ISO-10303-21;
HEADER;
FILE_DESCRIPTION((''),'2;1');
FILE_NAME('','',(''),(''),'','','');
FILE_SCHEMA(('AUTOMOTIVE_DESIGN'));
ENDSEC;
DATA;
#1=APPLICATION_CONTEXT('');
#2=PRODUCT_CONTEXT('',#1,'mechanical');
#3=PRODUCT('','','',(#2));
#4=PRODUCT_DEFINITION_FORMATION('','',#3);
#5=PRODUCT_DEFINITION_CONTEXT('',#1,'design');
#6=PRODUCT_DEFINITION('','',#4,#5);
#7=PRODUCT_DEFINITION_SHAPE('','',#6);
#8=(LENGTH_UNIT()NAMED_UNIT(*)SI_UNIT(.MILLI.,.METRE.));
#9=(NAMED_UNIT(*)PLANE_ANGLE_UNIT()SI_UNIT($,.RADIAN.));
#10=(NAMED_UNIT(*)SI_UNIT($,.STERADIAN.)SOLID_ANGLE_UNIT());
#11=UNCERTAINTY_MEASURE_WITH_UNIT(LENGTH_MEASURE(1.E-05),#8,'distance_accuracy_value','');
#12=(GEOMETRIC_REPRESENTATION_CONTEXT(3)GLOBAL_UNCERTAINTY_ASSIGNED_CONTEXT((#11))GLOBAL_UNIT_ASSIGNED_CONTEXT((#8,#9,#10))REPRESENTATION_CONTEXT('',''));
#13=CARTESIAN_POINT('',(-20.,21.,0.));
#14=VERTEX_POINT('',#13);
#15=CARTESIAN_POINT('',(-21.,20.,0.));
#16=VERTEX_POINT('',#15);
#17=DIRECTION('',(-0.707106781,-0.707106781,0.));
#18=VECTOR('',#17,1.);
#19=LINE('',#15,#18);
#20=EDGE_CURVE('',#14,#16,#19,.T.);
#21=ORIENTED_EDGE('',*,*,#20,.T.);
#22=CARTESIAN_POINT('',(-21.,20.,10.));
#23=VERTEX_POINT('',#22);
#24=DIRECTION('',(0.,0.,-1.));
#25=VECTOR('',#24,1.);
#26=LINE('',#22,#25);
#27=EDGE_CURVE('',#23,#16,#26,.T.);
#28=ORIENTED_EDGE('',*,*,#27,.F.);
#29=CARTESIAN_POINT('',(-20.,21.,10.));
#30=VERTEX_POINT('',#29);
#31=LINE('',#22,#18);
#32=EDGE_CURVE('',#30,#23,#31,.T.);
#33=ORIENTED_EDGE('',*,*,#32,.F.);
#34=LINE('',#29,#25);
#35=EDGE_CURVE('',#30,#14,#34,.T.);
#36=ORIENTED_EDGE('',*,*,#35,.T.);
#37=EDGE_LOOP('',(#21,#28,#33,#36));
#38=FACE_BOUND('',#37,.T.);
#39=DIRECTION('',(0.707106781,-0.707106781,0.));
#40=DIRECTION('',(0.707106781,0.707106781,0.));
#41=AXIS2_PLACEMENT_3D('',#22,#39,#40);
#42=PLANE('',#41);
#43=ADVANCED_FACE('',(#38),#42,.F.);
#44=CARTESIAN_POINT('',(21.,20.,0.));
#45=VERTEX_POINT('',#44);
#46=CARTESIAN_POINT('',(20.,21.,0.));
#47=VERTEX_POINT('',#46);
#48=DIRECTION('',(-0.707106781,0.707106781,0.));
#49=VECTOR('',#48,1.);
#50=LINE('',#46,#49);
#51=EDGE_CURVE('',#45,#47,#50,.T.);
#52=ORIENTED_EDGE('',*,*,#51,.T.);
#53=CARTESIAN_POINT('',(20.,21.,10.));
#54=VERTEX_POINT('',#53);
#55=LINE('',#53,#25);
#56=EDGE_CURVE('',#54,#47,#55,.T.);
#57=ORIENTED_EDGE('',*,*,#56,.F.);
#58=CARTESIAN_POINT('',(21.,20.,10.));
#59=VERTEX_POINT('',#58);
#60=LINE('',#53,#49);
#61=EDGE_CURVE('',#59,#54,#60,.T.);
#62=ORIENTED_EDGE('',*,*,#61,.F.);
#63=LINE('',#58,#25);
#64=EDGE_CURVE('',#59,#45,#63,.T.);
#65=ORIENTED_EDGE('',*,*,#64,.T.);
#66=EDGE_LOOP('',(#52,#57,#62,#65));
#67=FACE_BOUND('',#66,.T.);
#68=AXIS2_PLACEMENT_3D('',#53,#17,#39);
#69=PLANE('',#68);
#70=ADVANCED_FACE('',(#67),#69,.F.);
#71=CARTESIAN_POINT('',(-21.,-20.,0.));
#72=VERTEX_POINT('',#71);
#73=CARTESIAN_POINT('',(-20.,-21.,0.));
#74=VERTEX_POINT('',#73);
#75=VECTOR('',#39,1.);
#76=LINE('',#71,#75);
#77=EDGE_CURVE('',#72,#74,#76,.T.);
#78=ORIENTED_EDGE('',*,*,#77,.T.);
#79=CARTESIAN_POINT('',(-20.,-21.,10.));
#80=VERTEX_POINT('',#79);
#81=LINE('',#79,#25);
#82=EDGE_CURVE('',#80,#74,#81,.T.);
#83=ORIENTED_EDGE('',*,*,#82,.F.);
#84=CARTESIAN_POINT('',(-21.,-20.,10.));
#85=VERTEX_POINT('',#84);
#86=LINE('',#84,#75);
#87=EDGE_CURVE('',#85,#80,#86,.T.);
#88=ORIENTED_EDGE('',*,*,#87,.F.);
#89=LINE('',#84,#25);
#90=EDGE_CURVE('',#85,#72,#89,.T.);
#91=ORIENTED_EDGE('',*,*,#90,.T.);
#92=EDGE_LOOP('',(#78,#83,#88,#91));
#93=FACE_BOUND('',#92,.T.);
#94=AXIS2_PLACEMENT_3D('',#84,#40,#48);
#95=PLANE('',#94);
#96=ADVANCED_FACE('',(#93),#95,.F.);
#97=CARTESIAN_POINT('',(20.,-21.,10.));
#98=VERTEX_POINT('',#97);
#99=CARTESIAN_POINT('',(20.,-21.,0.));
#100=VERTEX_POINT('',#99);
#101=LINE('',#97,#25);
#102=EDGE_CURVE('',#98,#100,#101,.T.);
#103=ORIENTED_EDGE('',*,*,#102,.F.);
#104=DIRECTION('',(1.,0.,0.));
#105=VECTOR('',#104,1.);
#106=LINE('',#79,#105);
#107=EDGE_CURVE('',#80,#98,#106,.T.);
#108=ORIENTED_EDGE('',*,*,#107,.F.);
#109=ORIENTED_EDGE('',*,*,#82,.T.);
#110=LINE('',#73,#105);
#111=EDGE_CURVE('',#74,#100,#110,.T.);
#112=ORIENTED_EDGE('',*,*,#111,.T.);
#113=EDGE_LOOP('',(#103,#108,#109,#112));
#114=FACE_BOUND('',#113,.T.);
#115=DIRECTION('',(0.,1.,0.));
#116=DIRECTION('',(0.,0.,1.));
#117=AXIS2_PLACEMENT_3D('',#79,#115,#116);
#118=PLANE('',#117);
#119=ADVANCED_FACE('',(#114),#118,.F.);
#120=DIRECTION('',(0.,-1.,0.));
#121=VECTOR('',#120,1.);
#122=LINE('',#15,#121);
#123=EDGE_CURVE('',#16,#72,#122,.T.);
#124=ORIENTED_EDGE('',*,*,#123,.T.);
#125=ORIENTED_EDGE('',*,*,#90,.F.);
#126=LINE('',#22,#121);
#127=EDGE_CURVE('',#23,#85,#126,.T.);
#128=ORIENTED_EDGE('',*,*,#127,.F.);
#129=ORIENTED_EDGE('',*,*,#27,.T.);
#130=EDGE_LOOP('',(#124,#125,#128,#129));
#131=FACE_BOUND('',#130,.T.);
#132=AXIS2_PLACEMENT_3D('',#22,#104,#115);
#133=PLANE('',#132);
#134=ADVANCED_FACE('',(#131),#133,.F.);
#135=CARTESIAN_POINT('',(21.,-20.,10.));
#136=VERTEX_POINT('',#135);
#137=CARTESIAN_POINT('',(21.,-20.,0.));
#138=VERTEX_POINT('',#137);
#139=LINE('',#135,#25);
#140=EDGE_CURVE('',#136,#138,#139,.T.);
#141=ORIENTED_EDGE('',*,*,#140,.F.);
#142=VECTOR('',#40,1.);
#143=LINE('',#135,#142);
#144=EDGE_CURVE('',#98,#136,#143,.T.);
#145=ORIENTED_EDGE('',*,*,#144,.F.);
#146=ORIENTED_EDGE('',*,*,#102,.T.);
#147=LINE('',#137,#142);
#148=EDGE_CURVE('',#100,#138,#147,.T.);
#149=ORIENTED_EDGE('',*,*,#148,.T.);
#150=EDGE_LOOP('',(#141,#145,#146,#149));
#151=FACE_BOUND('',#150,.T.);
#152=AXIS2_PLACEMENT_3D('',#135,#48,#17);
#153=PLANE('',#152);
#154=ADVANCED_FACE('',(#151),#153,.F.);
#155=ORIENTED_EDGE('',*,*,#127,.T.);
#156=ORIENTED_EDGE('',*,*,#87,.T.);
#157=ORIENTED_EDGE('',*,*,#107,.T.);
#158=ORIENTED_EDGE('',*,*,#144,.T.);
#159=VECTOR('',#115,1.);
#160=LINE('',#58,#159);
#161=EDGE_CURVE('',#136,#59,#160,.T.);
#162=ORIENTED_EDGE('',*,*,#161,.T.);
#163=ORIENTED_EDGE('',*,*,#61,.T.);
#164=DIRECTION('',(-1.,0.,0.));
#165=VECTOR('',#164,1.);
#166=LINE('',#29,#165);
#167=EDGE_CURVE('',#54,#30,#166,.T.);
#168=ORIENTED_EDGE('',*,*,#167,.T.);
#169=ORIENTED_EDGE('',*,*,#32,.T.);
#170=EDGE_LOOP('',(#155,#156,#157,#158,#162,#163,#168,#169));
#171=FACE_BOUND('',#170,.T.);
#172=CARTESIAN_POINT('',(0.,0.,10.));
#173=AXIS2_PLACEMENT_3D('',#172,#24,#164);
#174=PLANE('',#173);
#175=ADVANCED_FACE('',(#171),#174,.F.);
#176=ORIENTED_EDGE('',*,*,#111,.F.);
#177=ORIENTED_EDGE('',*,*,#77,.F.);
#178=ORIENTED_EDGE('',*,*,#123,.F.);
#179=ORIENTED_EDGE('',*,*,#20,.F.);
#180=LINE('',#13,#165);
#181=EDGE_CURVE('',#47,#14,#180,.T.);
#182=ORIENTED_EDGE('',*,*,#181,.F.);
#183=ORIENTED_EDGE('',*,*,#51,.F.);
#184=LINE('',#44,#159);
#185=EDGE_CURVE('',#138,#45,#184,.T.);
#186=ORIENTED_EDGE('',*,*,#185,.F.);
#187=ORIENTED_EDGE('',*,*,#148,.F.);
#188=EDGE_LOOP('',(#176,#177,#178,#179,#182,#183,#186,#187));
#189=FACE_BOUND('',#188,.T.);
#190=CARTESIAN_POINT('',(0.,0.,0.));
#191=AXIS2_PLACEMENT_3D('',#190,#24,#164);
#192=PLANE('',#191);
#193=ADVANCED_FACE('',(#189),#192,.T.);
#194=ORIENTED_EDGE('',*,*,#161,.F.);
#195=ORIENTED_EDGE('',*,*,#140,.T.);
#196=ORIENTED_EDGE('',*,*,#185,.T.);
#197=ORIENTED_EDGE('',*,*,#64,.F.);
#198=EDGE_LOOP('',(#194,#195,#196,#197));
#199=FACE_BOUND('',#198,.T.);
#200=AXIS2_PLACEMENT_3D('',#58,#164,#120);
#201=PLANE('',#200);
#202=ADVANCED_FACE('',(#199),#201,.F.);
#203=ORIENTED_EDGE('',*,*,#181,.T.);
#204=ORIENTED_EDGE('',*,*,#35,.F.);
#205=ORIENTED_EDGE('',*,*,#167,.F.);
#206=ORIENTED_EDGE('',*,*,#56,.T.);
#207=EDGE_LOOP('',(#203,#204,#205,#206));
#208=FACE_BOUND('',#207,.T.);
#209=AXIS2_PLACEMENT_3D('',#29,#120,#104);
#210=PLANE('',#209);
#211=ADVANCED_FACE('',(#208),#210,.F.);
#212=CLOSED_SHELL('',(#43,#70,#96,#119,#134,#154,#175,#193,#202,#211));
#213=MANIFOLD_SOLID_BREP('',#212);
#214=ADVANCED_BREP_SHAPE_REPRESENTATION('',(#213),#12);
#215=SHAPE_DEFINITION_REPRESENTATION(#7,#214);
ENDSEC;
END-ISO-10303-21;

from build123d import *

# Parameters (mm, degrees)
BOSS_EXTRUDE1_DEPTH = 10


with BuildPart() as part:
    # Sketch1 → Boss-Extrude1 (new body)
    with BuildSketch(Plane.XY):
        Polygon((-21, 20), (-20, 21), (20, 21), (21, 20), (21, -20), (20, -21), (-20, -21), (-21, -20), align=None)
    extrude(amount=BOSS_EXTRUDE1_DEPTH)


solid = part.part
